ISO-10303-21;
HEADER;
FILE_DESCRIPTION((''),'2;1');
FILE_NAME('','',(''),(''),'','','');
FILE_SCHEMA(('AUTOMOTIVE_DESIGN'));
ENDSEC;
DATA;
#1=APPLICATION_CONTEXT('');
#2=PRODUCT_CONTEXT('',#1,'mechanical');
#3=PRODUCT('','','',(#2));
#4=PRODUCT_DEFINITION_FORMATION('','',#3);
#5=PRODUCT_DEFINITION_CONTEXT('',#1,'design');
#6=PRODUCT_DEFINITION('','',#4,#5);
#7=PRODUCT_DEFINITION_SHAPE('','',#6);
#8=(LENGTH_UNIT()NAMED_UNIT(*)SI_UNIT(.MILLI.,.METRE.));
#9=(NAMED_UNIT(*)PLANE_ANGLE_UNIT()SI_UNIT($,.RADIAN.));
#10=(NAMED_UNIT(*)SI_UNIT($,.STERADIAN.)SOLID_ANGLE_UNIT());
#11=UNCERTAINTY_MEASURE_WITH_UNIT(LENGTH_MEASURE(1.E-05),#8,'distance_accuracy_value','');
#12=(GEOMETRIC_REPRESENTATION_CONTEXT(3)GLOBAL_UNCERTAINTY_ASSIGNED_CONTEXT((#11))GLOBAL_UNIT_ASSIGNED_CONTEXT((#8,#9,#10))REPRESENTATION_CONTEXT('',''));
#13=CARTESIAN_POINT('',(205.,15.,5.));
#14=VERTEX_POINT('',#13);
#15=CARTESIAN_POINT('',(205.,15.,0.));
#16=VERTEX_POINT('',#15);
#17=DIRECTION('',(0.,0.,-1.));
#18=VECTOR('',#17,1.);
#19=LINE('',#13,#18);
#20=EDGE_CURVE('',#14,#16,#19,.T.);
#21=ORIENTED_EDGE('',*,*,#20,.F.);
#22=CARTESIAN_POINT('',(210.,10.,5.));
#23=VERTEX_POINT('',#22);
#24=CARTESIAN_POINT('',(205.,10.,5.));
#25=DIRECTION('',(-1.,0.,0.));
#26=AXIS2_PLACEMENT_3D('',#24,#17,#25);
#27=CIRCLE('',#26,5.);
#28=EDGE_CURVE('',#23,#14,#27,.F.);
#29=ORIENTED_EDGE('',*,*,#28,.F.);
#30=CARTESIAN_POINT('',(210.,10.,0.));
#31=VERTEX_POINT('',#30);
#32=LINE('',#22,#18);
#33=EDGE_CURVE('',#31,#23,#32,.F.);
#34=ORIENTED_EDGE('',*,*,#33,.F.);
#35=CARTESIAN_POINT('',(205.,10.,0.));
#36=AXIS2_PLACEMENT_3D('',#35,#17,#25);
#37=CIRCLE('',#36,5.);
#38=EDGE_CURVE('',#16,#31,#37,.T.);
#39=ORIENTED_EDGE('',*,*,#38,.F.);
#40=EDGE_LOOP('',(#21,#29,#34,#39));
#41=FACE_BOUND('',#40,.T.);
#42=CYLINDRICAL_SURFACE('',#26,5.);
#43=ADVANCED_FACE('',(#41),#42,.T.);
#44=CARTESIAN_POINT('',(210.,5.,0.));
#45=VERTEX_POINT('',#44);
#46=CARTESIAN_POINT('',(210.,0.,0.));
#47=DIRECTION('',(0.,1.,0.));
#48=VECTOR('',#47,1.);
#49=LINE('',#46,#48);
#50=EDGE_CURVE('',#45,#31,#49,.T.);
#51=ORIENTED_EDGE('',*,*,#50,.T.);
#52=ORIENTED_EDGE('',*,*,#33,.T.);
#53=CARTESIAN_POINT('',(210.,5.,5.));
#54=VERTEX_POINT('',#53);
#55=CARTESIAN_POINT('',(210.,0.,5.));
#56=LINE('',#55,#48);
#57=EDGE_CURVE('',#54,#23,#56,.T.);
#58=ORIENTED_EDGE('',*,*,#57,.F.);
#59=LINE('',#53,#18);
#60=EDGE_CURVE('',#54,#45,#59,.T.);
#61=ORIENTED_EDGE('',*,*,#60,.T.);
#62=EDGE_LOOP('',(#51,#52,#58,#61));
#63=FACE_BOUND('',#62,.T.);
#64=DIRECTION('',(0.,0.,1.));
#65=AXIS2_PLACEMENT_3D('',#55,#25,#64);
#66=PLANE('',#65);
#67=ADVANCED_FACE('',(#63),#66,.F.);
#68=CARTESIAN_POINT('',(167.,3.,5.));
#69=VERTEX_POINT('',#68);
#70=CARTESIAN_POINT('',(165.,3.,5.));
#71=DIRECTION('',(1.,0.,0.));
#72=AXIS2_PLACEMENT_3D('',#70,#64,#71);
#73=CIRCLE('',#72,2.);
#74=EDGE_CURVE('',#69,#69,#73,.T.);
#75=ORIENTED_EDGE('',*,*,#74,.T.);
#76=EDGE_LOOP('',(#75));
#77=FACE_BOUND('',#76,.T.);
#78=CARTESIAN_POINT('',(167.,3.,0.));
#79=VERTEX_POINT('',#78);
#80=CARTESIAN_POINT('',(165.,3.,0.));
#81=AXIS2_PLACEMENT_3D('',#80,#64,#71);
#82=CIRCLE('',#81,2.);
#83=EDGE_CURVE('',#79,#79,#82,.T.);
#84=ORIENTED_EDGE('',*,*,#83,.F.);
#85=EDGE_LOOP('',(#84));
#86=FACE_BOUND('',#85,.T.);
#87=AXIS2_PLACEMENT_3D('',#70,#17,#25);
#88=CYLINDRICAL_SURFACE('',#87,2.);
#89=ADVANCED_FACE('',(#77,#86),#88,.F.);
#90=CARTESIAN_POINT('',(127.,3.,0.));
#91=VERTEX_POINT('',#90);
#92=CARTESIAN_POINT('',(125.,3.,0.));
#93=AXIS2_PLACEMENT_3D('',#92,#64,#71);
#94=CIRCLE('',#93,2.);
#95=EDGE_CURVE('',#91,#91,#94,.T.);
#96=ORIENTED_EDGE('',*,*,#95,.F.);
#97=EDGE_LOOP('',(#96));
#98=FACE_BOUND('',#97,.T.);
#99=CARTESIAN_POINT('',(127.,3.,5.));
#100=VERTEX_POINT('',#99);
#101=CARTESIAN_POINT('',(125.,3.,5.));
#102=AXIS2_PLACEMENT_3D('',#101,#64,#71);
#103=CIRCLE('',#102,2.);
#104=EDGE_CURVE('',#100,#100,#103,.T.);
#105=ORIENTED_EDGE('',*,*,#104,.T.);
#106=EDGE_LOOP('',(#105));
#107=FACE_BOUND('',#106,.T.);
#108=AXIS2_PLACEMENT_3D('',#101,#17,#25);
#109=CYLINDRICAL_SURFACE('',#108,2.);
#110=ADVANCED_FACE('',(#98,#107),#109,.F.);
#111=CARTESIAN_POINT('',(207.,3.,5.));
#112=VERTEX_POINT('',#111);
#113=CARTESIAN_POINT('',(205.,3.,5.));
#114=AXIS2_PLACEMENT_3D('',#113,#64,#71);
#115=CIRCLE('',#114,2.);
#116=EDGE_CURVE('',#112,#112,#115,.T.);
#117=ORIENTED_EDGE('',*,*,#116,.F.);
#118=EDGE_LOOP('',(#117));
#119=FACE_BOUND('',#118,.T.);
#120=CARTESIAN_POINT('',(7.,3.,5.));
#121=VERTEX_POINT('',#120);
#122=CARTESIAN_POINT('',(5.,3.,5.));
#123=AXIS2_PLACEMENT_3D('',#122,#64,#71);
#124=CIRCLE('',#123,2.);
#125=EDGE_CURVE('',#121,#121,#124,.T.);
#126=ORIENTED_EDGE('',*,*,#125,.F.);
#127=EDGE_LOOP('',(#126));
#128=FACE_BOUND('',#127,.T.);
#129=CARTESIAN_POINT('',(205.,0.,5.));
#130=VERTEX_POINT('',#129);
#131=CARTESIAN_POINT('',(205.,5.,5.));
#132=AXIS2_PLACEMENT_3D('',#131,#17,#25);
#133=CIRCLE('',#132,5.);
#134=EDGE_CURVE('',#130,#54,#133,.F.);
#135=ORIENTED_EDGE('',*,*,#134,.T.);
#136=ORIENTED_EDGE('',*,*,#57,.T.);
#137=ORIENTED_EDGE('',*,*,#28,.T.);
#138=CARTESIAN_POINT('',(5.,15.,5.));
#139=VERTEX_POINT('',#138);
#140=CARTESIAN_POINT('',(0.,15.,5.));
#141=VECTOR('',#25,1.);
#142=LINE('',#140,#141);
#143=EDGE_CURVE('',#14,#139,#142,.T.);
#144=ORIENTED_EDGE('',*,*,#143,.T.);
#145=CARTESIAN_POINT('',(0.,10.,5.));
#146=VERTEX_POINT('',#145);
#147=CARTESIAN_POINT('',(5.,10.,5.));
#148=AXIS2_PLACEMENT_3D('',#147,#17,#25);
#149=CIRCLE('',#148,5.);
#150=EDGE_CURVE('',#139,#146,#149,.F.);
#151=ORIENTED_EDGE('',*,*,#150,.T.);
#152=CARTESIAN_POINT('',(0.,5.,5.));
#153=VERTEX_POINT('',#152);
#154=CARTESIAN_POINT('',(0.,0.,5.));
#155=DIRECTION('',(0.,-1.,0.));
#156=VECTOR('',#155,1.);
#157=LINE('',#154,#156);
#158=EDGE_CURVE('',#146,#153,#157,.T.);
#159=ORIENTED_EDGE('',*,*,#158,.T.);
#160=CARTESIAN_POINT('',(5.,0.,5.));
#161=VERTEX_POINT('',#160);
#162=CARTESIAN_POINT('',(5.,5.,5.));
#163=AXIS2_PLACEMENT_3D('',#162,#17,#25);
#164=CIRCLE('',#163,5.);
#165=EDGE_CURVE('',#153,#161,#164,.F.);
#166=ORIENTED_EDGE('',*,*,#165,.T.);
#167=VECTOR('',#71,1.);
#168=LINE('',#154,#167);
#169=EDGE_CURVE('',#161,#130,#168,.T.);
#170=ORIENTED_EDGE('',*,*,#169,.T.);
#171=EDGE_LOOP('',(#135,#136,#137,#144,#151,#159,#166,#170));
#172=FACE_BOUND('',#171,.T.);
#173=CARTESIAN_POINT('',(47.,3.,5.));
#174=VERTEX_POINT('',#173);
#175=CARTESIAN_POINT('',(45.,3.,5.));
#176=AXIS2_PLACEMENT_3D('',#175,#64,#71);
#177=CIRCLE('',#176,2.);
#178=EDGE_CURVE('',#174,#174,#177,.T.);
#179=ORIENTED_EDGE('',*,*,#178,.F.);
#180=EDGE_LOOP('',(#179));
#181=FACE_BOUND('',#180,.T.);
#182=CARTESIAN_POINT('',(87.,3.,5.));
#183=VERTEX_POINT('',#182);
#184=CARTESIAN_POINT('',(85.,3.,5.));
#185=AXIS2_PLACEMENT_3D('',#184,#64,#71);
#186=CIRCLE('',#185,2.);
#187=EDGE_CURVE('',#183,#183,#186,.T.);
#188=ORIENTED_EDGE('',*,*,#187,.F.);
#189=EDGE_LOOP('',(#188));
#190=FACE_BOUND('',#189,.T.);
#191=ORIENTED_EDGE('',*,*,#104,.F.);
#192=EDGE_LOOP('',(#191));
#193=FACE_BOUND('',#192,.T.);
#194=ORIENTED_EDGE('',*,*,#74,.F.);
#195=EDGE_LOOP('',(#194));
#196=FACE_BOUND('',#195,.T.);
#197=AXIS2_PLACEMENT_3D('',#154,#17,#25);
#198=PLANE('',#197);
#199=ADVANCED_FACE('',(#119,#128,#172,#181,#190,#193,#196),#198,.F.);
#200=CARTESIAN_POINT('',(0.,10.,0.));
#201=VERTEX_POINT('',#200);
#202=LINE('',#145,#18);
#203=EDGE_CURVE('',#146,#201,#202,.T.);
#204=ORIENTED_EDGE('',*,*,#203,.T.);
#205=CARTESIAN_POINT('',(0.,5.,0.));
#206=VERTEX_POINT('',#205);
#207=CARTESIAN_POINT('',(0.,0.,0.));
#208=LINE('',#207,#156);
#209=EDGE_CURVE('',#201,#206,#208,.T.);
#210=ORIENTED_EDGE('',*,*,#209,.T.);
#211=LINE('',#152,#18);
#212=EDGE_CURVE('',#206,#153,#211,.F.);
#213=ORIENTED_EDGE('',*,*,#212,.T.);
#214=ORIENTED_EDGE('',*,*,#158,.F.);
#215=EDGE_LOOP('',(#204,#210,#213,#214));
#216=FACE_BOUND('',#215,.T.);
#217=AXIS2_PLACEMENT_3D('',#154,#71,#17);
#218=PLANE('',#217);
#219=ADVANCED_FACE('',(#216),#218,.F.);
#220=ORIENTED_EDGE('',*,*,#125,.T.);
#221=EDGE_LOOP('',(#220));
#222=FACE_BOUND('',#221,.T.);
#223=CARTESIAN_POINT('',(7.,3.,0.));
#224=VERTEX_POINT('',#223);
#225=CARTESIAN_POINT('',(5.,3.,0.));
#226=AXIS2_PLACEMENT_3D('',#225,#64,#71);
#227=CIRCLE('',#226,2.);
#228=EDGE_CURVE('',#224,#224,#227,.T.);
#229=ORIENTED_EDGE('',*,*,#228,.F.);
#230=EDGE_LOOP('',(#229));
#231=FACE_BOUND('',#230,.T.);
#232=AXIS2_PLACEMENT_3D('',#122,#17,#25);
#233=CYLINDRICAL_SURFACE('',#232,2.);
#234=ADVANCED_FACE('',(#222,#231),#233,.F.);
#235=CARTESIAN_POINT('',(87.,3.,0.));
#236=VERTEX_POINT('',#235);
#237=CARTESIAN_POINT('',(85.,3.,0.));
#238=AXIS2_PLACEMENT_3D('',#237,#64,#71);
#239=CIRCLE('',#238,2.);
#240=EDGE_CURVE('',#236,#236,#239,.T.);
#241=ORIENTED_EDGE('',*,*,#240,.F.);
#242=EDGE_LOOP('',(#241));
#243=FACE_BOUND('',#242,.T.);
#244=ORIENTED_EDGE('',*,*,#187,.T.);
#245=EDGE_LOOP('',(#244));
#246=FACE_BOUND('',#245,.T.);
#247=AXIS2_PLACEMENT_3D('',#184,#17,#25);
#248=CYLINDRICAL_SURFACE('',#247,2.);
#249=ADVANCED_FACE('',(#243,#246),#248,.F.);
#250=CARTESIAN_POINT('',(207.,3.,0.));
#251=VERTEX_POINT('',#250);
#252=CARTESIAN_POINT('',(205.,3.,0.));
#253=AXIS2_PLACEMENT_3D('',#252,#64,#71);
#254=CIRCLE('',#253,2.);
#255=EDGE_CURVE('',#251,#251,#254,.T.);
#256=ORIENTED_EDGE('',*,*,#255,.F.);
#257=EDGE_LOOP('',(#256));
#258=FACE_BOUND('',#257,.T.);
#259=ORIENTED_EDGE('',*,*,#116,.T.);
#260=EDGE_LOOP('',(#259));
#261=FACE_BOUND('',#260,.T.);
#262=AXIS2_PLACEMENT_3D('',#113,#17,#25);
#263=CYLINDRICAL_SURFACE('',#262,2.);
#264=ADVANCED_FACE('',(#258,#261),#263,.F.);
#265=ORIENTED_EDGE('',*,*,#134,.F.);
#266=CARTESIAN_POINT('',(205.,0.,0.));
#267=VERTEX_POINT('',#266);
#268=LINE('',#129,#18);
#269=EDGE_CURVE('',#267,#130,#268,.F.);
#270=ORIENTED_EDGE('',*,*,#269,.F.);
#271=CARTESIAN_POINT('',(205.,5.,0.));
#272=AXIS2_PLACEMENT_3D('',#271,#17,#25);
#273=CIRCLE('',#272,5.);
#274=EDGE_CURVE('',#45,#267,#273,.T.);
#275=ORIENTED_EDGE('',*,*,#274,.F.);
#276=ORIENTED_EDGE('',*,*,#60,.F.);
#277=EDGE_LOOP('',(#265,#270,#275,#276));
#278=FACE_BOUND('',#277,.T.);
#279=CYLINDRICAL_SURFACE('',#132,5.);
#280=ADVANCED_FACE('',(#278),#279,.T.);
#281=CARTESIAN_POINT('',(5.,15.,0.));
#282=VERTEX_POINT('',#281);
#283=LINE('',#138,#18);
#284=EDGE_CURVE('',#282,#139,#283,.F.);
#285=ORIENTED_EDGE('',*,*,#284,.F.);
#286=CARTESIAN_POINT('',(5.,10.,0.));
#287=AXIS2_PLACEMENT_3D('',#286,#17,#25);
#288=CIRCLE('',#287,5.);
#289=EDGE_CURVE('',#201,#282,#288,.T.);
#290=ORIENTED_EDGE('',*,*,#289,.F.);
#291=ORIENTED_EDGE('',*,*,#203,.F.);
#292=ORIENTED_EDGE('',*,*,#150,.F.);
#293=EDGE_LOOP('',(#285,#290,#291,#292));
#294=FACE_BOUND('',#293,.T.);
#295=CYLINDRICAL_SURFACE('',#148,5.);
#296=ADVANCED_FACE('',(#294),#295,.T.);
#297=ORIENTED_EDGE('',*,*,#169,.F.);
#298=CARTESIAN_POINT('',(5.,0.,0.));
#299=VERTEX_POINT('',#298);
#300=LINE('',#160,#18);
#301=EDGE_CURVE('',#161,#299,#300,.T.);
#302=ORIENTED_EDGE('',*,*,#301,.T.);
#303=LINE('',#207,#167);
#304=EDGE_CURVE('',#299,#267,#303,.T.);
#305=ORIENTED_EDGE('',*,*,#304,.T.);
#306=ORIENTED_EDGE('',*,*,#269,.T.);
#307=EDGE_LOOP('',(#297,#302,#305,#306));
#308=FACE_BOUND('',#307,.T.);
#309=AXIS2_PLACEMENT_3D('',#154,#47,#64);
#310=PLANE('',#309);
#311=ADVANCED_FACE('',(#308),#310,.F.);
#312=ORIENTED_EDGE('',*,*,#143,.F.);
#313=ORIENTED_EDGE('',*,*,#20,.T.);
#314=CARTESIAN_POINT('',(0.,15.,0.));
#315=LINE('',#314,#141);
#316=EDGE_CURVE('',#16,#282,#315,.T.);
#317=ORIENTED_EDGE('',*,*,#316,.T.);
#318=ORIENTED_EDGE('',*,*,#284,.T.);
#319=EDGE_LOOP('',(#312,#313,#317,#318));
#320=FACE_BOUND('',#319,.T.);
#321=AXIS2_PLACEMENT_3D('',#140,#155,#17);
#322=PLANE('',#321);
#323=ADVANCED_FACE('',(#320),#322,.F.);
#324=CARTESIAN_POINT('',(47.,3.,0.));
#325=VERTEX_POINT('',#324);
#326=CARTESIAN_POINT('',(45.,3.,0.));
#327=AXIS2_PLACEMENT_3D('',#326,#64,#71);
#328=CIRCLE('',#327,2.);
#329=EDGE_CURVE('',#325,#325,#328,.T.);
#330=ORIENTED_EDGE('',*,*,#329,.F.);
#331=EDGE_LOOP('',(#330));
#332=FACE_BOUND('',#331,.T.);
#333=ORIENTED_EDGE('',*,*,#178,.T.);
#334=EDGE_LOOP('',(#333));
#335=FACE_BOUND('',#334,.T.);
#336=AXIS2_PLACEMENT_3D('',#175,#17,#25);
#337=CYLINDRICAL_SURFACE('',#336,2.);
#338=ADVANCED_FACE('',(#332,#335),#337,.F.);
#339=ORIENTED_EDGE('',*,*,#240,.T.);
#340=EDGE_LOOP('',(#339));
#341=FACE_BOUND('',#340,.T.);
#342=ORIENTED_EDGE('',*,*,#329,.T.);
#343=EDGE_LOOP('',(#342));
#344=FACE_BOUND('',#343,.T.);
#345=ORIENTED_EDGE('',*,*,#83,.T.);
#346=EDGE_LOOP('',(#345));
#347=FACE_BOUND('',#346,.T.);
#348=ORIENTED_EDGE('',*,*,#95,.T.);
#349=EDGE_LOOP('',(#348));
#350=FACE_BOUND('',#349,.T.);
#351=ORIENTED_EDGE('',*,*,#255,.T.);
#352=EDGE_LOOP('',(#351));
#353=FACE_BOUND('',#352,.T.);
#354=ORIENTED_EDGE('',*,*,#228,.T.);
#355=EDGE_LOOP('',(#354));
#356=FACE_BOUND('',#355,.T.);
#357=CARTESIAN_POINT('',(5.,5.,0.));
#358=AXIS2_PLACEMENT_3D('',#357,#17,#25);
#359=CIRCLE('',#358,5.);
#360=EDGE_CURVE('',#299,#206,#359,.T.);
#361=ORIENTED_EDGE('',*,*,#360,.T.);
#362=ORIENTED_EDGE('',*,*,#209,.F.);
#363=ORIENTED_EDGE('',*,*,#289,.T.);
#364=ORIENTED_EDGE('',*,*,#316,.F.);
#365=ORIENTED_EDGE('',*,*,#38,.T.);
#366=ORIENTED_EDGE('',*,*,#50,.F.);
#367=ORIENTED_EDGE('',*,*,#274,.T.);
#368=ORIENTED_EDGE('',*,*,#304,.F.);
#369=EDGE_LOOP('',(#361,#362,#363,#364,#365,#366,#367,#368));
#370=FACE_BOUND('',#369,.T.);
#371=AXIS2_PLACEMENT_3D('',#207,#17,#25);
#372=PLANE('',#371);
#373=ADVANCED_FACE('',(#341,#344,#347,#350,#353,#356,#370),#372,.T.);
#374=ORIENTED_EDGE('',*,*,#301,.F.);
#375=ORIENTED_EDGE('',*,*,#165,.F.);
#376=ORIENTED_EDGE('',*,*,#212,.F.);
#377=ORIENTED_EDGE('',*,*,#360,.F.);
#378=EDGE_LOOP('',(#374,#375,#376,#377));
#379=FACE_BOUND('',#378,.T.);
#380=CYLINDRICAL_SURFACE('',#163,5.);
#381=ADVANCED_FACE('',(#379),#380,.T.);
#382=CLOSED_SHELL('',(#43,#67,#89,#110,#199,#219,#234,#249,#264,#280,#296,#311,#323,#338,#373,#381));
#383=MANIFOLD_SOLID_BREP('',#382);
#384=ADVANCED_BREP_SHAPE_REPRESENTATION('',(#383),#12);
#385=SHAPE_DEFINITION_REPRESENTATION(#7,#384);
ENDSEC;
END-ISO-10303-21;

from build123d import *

# Parameters (mm, degrees)
ESQUISSE1_W        = 210
ESQUISSE1_H        = 15
ESQUISSE1_R        = 2
BOSS_EXTRU_1_DEPTH = 5
CONG_1_R           = 5


with BuildPart() as part:
    # Esquisse1 → Boss.-Extru.1 (new body)
    with BuildSketch(Plane.XY):
        with Locations((105, 7.5)):
            Rectangle(ESQUISSE1_W, ESQUISSE1_H)
        with Locations((5, 3)):
            Circle(ESQUISSE1_R, mode=Mode.SUBTRACT)
        with Locations((45, 3)):
            Circle(ESQUISSE1_R, mode=Mode.SUBTRACT)
        with Locations((85, 3)):
            Circle(ESQUISSE1_R, mode=Mode.SUBTRACT)
        with Locations((125, 3)):
            Circle(ESQUISSE1_R, mode=Mode.SUBTRACT)
        with Locations((165, 3)):
            Circle(ESQUISSE1_R, mode=Mode.SUBTRACT)
        with Locations((205, 3)):
            Circle(ESQUISSE1_R, mode=Mode.SUBTRACT)
    extrude(amount=BOSS_EXTRU_1_DEPTH)

    # Congé1
    cong_1_edges = [part.edges().sort_by_distance(p)[0] for p in [
        (0, 15, 2.5),
        (210, 15, 2.5),
        (210, 0, 2.5),
        (0, 0, 2.5),
    ]]
    fillet(cong_1_edges, radius=CONG_1_R)


solid = part.part
